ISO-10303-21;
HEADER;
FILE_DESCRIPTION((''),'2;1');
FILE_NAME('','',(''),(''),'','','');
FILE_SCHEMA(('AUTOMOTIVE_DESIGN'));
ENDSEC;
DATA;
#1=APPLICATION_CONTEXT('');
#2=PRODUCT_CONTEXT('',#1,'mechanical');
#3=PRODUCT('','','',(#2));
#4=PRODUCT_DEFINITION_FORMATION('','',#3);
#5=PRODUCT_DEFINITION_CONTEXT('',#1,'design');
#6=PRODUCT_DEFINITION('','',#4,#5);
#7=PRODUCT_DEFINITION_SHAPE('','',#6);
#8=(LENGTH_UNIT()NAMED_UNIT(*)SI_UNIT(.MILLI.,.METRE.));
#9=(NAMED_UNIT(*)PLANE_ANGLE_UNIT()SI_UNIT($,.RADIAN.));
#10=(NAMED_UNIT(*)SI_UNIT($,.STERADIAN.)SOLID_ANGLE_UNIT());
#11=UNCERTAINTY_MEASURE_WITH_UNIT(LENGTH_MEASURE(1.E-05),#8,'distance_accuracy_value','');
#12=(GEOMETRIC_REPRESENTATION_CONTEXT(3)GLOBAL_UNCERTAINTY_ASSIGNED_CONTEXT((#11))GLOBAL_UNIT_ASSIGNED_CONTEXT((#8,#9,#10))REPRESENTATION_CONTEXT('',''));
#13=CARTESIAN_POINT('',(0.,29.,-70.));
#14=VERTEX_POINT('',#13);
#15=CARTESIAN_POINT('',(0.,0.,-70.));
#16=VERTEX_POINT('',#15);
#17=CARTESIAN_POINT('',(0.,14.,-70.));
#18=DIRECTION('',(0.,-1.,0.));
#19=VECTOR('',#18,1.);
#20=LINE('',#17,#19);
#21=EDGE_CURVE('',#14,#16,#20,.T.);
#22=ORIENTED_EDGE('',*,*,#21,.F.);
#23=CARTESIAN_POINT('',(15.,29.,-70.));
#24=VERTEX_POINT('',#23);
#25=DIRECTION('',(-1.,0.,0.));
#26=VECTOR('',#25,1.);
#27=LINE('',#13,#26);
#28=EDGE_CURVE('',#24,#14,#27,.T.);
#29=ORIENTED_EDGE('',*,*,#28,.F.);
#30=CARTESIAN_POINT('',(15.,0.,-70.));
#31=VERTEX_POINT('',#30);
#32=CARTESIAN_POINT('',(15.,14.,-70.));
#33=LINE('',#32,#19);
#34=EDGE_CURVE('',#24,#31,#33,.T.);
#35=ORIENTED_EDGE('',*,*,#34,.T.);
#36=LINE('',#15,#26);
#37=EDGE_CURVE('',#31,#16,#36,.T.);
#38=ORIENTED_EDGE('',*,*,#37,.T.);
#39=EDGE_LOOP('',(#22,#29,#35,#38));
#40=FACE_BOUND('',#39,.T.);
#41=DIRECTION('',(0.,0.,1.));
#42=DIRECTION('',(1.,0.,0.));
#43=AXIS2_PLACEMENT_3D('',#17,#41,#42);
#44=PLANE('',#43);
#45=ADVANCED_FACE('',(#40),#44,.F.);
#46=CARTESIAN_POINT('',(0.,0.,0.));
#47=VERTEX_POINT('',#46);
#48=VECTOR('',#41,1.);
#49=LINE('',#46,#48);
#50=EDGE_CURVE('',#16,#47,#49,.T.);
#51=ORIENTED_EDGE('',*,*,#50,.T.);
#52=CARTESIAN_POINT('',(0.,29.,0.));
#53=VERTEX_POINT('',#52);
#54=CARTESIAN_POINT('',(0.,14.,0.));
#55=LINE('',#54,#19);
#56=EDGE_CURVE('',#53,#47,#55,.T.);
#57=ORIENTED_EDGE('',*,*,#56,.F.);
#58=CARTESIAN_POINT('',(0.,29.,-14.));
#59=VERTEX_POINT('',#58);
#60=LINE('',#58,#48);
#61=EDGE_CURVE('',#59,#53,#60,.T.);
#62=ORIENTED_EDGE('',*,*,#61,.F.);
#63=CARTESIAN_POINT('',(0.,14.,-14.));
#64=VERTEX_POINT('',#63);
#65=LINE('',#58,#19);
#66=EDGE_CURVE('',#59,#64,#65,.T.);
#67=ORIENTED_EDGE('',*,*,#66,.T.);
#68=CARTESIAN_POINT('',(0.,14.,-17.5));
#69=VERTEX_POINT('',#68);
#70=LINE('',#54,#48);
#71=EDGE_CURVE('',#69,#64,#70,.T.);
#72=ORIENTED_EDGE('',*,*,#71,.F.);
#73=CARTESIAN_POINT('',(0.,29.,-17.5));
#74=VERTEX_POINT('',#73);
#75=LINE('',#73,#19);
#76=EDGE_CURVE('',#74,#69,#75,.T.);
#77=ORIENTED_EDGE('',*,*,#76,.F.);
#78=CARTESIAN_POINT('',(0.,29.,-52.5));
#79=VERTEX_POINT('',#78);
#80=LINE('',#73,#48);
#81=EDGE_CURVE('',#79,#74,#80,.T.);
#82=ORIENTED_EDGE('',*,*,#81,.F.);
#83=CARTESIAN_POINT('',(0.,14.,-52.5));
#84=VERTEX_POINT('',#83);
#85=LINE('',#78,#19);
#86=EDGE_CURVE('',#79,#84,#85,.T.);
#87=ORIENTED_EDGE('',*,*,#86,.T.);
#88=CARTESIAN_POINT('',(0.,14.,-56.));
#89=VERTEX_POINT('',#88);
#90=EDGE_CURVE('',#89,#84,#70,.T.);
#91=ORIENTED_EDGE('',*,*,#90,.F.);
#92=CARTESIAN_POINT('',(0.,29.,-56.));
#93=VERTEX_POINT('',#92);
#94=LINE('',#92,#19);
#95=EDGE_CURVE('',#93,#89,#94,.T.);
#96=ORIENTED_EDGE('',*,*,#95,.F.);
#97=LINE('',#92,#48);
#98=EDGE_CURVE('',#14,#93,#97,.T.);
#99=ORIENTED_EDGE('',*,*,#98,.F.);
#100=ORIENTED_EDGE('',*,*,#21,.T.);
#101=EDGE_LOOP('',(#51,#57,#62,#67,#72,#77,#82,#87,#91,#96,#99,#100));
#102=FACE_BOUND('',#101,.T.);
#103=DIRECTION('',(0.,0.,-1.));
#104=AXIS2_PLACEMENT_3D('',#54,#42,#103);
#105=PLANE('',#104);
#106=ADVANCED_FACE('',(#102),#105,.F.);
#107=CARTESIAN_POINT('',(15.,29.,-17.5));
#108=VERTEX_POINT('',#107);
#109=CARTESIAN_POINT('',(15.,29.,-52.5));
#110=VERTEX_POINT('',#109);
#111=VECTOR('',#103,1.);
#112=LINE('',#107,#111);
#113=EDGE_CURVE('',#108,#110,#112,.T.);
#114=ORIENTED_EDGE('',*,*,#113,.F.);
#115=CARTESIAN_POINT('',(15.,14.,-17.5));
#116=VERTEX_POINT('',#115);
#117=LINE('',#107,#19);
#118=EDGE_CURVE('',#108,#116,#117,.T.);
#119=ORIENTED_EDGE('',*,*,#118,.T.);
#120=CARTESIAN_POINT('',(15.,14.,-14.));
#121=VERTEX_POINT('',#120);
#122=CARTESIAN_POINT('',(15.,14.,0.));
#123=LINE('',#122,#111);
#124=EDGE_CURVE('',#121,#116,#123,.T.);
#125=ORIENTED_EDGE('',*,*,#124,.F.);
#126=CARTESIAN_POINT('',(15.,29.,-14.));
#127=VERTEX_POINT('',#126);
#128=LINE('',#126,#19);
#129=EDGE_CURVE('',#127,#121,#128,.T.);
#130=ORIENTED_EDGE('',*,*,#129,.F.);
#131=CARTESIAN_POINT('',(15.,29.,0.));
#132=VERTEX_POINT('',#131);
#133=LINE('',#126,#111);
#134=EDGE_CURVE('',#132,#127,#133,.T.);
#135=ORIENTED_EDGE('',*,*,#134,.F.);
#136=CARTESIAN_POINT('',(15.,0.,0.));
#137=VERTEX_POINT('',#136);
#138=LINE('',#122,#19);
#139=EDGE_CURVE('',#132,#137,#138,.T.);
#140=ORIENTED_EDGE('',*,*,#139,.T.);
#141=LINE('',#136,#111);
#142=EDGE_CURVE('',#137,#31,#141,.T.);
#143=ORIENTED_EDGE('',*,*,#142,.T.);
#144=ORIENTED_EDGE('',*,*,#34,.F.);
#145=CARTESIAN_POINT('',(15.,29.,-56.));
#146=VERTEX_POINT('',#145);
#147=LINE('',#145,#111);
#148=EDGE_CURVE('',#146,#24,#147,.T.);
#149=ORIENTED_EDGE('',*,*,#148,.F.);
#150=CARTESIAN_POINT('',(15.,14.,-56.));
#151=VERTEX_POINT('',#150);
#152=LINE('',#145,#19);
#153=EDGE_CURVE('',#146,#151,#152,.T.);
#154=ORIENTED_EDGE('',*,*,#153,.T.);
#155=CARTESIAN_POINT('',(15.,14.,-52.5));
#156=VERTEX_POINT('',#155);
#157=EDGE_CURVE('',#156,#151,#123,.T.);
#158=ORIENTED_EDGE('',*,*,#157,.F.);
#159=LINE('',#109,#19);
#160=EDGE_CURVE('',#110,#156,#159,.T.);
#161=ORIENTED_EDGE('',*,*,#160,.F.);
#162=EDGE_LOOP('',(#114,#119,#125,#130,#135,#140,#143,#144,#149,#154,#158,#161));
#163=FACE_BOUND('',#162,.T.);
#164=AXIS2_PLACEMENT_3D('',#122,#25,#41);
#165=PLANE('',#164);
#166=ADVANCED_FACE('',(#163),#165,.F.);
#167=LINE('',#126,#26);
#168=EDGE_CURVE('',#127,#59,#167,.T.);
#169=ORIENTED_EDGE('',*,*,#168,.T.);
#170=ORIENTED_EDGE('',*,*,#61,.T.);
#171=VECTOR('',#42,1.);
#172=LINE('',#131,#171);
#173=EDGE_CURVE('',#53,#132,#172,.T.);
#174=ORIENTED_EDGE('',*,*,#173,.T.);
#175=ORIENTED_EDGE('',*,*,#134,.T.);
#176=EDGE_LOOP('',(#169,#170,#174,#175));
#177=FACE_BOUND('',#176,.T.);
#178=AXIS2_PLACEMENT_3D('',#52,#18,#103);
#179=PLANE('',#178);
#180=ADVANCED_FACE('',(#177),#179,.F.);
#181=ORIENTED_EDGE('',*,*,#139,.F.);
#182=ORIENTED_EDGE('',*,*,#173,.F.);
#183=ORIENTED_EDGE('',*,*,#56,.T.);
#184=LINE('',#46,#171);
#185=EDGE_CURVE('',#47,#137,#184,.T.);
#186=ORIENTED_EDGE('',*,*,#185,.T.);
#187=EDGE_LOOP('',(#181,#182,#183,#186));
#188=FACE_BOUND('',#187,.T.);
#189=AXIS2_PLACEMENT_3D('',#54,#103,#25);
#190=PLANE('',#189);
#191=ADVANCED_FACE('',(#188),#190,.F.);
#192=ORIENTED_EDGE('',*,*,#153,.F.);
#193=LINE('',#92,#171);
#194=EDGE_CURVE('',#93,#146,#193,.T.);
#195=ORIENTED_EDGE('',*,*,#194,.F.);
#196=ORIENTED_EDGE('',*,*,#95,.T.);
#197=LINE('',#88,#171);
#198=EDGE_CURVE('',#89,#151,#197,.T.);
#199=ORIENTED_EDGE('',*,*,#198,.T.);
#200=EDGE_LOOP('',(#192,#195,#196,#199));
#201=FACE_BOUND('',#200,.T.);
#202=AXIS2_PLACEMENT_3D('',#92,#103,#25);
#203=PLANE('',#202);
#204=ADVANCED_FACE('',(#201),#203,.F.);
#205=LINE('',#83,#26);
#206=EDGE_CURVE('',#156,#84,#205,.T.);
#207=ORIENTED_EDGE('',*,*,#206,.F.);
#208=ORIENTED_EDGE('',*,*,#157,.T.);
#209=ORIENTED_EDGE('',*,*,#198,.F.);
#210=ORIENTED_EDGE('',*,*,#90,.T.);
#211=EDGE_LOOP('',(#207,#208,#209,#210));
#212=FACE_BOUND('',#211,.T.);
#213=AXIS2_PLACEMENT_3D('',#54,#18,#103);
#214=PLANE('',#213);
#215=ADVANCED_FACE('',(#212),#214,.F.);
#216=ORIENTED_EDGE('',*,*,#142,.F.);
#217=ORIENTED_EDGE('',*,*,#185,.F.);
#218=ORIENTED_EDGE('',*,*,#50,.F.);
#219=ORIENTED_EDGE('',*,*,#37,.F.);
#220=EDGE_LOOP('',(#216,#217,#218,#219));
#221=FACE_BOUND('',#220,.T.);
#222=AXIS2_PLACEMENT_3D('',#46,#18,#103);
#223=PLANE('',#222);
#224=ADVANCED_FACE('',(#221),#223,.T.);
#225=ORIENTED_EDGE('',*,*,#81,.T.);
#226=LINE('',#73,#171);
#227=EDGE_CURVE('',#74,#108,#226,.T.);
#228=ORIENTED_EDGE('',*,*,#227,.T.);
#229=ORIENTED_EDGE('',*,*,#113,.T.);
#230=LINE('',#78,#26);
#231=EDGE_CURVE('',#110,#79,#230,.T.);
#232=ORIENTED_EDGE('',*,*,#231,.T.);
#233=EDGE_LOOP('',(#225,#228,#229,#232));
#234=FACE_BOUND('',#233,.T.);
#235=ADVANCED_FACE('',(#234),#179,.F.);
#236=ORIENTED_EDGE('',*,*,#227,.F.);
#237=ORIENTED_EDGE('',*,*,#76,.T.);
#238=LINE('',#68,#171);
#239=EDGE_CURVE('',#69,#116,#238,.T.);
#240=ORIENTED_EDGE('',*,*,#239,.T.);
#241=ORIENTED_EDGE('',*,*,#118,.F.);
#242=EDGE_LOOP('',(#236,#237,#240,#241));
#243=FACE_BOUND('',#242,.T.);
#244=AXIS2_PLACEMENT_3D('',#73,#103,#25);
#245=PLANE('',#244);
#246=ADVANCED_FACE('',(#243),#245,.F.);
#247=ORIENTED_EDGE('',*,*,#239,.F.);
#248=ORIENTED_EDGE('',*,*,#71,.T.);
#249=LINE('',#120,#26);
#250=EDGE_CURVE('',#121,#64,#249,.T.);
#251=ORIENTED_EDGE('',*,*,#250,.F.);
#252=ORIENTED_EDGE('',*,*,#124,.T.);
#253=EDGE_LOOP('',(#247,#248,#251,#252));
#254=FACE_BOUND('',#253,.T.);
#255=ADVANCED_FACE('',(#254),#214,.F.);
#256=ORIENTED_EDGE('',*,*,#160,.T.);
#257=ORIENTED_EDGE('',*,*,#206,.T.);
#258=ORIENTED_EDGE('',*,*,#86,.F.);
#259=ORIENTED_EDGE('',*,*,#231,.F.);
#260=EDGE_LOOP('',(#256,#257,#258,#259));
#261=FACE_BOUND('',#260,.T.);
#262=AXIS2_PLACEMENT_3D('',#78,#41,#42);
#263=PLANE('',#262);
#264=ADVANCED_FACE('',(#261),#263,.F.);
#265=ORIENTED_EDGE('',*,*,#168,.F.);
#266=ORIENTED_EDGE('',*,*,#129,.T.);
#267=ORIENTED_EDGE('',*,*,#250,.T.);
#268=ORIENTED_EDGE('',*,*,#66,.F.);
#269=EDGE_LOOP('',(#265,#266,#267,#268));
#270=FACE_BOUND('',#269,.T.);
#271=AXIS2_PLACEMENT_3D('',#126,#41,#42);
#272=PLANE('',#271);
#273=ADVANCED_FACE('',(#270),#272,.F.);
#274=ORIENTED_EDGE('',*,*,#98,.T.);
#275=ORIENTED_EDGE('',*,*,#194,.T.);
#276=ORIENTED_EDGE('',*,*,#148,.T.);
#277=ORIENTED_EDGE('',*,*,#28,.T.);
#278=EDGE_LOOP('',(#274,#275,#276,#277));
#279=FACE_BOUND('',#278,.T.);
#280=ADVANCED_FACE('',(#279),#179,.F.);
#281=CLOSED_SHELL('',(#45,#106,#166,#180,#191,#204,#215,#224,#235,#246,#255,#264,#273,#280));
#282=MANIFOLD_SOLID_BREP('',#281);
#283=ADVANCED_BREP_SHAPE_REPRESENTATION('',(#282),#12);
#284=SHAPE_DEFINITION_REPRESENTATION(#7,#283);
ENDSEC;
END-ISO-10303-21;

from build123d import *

# Parameters (mm, degrees)
SKETCH1_W           = 15
SKETCH1_H           = 70
BOSS_EXTRUDE1_DEPTH = 14
SKETCH2_W           = 15
SKETCH2_H           = 35
SKETCH2_H_2         = 14
BOSS_EXTRUDE2_DEPTH = 15


with BuildPart() as part:
    # Sketch1 → Boss-Extrude1 (new body)
    with BuildSketch(Plane(origin=(0, 0, 0), x_dir=(1, 0, 0), z_dir=(0, 1, 0))):
        with Locations((7.5, 35)):
            Rectangle(SKETCH1_W, SKETCH1_H)
    extrude(amount=BOSS_EXTRUDE1_DEPTH)

    # Sketch2 → Boss-Extrude2 (add)
    with BuildSketch(Plane(origin=(0, 14, 0), x_dir=(1, 0, 0), z_dir=(0, 1, 0))):
        with Locations((7.5, 35)):
            Rectangle(SKETCH2_W, SKETCH2_H)
        with Locations((7.5, 7)):
            Rectangle(SKETCH2_W, SKETCH2_H_2)
        with Locations((7.5, 63)):
            Rectangle(SKETCH2_W, SKETCH2_H_2)
    extrude(amount=BOSS_EXTRUDE2_DEPTH)


solid = part.part
